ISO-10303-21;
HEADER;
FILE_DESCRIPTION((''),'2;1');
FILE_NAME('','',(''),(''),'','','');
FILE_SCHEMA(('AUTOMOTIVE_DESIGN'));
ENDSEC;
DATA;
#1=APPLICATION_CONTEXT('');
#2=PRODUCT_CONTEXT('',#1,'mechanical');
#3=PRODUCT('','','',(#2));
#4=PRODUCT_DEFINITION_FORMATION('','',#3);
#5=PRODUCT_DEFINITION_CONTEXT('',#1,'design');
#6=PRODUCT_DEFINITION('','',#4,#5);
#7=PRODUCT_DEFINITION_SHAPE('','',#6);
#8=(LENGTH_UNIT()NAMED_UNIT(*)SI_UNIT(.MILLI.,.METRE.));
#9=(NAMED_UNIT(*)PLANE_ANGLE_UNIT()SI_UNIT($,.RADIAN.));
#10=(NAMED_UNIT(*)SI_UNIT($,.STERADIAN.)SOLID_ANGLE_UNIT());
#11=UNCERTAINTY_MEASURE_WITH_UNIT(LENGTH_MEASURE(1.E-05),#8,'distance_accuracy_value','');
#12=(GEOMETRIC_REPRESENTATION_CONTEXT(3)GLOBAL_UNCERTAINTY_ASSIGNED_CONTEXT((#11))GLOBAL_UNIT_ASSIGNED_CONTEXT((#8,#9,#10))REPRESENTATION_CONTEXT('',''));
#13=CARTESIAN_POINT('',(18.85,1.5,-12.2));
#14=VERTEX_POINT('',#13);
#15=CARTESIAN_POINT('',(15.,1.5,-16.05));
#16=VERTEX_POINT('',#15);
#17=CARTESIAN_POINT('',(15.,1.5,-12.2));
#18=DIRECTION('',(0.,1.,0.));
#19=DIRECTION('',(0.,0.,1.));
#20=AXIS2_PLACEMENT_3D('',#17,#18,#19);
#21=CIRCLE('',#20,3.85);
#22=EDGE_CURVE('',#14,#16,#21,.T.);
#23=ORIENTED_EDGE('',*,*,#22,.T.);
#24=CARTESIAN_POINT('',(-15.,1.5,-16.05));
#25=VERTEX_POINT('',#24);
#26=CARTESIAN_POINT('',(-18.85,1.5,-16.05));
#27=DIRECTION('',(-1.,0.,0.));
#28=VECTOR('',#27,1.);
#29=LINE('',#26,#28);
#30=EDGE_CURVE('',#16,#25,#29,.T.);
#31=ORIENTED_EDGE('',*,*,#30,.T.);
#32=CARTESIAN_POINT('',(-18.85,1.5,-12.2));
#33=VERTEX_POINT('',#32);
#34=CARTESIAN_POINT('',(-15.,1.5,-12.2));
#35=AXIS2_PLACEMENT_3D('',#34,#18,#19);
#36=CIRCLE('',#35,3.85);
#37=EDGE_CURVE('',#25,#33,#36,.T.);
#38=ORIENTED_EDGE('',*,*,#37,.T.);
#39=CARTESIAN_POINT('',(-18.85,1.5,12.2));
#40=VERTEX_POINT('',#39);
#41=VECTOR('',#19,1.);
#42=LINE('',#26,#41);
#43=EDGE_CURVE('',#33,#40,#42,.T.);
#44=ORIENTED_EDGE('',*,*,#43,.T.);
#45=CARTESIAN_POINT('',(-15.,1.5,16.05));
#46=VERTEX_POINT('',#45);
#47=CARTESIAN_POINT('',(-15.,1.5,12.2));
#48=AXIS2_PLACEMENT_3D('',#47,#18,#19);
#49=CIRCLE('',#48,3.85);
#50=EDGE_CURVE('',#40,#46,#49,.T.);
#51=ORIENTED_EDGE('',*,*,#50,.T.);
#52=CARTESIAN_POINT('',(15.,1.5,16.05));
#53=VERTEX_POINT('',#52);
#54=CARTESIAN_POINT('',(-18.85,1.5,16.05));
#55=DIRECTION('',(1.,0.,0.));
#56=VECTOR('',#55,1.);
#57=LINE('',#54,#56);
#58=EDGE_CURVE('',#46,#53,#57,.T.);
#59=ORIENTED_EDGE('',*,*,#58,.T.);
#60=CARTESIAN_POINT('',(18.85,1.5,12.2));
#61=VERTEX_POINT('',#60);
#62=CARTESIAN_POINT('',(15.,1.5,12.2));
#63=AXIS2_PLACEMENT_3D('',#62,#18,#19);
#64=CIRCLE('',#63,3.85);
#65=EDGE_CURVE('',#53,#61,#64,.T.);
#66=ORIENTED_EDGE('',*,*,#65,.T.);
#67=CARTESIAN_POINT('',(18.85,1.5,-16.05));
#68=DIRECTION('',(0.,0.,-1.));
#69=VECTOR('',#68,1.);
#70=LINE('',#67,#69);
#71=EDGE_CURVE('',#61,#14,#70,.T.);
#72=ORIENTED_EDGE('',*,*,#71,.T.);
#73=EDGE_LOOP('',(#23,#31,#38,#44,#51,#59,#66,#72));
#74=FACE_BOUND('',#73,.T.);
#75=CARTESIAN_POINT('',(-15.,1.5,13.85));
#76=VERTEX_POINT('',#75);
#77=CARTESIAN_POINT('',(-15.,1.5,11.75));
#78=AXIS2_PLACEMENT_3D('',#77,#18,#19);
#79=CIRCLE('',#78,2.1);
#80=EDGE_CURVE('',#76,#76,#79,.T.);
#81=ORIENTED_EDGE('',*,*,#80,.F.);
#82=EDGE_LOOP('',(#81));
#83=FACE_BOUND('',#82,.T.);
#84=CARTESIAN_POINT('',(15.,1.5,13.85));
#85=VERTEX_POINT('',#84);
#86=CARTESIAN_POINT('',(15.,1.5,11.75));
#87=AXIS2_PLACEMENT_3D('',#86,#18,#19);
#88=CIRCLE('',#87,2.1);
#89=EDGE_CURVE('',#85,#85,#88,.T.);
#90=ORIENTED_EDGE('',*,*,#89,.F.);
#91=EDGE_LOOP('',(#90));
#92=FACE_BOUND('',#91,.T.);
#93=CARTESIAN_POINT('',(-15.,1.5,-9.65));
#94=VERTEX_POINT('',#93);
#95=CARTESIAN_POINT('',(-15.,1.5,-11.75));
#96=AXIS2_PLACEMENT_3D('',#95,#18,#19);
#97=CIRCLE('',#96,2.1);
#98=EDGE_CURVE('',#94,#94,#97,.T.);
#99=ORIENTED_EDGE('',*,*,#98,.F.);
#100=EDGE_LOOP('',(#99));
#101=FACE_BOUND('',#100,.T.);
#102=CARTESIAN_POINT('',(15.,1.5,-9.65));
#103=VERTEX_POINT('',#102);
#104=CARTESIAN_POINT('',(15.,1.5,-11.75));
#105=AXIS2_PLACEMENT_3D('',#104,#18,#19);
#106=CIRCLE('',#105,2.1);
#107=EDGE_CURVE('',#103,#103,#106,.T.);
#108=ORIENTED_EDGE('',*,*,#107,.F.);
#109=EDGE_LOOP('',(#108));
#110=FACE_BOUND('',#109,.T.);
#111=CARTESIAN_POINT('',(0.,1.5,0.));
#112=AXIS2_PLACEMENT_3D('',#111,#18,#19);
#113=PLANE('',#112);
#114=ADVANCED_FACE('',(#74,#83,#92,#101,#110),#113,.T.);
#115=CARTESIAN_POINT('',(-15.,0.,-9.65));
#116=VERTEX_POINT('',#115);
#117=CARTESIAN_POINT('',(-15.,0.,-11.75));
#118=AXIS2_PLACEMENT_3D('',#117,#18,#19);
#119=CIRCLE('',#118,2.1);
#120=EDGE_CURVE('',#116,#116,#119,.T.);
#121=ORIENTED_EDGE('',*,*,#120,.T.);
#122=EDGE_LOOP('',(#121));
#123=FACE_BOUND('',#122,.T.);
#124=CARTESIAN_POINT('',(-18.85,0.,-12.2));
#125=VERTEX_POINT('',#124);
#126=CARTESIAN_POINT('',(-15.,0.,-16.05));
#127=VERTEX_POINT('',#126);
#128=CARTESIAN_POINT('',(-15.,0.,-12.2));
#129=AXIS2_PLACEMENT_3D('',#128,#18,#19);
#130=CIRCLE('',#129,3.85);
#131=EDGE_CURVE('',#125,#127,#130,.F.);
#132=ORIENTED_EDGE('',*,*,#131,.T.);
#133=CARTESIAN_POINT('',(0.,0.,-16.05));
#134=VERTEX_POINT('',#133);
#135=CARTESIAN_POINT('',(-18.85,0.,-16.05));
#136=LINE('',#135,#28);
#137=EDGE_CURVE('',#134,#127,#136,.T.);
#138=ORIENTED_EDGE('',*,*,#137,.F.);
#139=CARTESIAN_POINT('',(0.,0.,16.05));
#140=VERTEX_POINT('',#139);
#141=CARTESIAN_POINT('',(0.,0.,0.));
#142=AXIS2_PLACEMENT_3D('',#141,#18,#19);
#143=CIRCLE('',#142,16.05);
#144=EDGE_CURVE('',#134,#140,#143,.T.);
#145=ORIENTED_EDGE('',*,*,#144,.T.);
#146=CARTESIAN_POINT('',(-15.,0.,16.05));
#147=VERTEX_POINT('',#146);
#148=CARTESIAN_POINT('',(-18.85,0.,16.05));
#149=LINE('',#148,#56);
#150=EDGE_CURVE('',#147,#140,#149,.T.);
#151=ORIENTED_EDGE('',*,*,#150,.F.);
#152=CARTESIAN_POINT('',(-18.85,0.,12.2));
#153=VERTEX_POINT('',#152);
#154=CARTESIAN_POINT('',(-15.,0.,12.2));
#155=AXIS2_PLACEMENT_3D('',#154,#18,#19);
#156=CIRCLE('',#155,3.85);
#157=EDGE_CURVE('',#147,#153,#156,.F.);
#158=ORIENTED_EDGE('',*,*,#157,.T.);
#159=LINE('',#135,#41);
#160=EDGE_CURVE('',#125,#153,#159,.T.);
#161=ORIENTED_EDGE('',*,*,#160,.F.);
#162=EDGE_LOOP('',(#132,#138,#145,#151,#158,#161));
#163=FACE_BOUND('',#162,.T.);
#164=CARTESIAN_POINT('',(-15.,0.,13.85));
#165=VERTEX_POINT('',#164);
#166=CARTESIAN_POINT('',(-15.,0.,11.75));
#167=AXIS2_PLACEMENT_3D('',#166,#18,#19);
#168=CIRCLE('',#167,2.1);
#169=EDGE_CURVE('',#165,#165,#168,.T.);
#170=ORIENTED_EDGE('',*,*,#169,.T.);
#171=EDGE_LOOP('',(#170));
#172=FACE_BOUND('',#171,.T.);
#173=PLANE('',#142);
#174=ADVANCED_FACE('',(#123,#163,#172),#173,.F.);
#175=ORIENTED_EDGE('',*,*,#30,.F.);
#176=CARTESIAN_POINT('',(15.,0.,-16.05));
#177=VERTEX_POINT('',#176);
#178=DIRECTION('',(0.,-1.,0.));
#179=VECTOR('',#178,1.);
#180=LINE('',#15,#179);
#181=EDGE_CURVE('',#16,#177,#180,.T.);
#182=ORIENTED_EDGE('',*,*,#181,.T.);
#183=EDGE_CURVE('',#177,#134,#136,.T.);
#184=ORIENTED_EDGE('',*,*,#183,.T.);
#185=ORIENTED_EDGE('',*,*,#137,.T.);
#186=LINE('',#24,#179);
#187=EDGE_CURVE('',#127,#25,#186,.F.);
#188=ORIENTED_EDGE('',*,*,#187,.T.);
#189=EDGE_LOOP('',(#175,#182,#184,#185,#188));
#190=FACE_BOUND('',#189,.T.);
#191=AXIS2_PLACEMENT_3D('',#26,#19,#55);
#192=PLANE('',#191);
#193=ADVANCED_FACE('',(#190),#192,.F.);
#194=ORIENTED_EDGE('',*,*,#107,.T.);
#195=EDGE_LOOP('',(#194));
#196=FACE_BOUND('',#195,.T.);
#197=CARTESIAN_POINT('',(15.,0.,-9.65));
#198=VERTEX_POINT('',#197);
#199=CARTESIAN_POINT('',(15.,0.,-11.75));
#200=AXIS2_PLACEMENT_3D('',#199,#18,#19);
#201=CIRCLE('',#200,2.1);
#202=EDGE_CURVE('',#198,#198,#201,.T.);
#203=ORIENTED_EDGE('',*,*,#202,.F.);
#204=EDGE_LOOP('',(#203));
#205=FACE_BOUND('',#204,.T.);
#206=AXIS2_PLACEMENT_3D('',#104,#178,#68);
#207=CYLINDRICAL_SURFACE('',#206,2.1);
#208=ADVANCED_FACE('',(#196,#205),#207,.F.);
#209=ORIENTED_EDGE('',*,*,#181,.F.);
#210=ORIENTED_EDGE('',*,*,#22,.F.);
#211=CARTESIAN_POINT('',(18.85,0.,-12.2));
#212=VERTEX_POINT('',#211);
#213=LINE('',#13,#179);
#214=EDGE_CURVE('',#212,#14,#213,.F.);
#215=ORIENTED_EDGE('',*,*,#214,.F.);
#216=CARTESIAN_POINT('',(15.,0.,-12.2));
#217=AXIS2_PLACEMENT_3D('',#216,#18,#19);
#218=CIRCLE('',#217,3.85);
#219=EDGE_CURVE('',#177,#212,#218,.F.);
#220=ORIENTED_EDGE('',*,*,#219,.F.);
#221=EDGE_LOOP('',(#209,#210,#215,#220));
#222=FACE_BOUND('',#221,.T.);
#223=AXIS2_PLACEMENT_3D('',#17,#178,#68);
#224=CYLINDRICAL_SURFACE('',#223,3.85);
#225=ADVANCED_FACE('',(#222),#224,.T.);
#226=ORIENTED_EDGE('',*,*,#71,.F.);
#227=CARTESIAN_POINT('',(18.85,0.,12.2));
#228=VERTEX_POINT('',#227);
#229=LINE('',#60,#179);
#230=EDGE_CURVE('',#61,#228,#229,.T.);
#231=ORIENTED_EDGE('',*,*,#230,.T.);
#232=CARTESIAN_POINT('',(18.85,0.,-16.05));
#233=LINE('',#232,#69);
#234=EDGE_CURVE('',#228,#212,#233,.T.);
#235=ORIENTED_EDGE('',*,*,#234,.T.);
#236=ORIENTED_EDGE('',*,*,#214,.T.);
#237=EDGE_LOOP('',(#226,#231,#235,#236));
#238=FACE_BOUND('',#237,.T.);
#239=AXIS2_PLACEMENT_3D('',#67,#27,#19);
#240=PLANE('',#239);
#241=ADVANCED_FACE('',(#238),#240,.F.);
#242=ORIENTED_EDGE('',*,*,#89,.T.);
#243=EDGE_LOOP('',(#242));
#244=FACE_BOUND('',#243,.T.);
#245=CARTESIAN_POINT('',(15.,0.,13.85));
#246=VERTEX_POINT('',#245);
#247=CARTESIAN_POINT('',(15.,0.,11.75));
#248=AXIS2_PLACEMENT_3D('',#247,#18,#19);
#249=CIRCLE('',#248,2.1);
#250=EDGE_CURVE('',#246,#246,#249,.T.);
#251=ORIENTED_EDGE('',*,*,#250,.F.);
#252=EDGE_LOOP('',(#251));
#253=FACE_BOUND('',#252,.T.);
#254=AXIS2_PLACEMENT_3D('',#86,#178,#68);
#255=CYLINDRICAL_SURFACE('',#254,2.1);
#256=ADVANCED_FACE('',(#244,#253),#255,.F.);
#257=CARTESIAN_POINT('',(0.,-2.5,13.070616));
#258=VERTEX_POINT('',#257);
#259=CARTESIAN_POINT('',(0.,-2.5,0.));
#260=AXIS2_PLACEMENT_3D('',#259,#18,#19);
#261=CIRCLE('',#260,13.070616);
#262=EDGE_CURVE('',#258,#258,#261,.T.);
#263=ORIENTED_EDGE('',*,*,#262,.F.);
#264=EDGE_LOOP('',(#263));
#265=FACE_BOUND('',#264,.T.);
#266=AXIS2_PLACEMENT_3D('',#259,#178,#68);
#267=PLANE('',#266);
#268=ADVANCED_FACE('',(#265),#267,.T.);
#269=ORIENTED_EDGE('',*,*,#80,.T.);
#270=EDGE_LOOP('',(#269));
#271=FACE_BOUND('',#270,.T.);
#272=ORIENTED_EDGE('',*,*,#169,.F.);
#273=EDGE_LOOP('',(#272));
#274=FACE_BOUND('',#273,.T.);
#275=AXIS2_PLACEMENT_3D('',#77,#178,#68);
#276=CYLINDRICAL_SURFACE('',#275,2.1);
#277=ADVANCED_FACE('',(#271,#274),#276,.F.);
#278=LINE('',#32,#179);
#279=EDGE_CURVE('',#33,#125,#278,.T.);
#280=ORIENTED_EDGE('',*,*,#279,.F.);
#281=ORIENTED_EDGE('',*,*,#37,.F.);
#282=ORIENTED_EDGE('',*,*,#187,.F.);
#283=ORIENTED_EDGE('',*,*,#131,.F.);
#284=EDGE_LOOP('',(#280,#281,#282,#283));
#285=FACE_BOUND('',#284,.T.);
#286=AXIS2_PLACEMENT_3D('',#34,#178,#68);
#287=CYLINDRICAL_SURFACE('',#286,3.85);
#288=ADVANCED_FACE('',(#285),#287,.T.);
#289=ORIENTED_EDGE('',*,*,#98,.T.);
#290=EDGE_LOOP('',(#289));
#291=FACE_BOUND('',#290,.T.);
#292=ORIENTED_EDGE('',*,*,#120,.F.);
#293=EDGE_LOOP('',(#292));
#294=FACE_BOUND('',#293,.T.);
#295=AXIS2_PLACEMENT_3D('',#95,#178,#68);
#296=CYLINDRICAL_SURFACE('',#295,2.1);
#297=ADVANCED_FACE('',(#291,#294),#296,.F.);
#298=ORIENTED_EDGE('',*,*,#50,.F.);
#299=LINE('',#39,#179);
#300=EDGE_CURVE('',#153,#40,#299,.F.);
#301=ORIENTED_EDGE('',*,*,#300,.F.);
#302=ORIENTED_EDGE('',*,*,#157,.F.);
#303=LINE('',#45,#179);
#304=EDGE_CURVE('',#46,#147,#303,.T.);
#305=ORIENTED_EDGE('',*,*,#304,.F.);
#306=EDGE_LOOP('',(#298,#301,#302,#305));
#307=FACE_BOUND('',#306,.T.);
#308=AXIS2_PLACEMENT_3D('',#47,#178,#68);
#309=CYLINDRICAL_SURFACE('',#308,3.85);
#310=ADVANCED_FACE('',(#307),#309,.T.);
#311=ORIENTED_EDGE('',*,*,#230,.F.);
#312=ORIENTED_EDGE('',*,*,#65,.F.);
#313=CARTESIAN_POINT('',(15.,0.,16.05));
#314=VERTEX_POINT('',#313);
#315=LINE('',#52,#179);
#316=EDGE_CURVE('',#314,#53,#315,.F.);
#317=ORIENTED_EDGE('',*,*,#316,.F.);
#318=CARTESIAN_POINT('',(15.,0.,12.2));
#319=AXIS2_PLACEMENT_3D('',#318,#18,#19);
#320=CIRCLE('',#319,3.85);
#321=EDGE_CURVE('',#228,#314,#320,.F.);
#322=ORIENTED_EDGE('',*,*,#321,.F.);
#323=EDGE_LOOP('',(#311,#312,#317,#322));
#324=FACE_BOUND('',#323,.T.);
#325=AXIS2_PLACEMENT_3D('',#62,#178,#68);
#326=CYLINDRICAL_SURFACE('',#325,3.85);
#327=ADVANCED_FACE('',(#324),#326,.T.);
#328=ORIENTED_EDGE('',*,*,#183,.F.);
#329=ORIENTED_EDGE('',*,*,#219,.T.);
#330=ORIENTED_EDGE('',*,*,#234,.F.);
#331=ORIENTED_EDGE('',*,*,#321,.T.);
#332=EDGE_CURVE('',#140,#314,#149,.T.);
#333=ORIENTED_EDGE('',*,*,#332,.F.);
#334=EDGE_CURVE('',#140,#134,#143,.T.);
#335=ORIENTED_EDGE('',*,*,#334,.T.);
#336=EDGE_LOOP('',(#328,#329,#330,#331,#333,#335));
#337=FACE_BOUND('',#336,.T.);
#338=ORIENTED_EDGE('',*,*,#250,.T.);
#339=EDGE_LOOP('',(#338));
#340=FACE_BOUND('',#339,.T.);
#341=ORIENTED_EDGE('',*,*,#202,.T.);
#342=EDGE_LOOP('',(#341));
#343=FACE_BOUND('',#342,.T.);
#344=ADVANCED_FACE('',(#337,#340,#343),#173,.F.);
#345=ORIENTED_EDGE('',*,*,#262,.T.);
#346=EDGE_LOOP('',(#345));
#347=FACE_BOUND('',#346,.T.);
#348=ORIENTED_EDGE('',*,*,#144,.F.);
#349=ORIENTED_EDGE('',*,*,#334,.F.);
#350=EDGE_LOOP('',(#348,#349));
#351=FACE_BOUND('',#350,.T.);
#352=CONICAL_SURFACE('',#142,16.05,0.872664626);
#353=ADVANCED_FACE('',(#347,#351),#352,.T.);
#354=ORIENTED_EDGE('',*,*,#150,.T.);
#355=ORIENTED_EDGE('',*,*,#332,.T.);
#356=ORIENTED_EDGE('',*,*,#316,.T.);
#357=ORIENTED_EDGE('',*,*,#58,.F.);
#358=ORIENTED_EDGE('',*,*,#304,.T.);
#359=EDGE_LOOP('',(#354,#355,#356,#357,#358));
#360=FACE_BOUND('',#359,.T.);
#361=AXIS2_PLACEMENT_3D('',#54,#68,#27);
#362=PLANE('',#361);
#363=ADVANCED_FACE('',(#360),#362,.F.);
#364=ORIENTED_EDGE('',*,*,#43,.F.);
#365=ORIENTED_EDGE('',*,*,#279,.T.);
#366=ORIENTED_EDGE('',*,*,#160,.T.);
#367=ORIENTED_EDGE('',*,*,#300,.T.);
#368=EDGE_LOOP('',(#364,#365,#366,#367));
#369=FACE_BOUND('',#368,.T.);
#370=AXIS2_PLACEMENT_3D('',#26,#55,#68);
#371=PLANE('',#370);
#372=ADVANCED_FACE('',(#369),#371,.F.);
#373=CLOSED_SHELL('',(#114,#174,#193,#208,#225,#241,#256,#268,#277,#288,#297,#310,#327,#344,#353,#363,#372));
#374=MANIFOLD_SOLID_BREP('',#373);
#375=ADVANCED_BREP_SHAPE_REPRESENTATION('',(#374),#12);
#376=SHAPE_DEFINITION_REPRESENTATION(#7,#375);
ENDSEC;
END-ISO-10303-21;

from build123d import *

# Parameters (mm, degrees)
SKETCH1_W           = 37.7
SKETCH1_H           = 32.1
SKETCH1_R           = 2.1
BOSS_EXTRUDE1_DEPTH = 1.5
FILLET1_R           = 3.85


with BuildPart() as part:
    # Sketch1 → Boss-Extrude1 (new body)
    with BuildSketch(Plane(origin=(0, 0, 0), x_dir=(1, 0, 0), z_dir=(0, 1, 0))):
        Rectangle(SKETCH1_W, SKETCH1_H)
        with Locations((15, 11.75)):
            Circle(SKETCH1_R, mode=Mode.SUBTRACT)
        with Locations((15, -11.75)):
            Circle(SKETCH1_R, mode=Mode.SUBTRACT)
        with Locations((-15, 11.75)):
            Circle(SKETCH1_R, mode=Mode.SUBTRACT)
        with Locations((-15, -11.75)):
            Circle(SKETCH1_R, mode=Mode.SUBTRACT)
    extrude(amount=BOSS_EXTRUDE1_DEPTH)

    # Fillet1
    fillet1_edges = [part.edges().sort_by_distance(p)[0] for p in [
        (-18.85, 0.75, -16.05),
        (18.85, 0.75, -16.05),
        (18.85, 0.75, 16.05),
        (-18.85, 0.75, 16.05),
    ]]
    fillet(fillet1_edges, radius=FILLET1_R)

    # Sketch2 → Revolve1 (revolve)
    with BuildSketch(Plane(origin=(0, 0, 0), x_dir=(0, 0, -1), z_dir=(1, 0, 0))):
        Polygon((0, 0), (0, -2.5), (-13.070616019, -2.5), (-16.05, 0), align=None)
    revolve(axis=Axis((0, 0, 0), (0, -1, 0)))


solid = part.part
